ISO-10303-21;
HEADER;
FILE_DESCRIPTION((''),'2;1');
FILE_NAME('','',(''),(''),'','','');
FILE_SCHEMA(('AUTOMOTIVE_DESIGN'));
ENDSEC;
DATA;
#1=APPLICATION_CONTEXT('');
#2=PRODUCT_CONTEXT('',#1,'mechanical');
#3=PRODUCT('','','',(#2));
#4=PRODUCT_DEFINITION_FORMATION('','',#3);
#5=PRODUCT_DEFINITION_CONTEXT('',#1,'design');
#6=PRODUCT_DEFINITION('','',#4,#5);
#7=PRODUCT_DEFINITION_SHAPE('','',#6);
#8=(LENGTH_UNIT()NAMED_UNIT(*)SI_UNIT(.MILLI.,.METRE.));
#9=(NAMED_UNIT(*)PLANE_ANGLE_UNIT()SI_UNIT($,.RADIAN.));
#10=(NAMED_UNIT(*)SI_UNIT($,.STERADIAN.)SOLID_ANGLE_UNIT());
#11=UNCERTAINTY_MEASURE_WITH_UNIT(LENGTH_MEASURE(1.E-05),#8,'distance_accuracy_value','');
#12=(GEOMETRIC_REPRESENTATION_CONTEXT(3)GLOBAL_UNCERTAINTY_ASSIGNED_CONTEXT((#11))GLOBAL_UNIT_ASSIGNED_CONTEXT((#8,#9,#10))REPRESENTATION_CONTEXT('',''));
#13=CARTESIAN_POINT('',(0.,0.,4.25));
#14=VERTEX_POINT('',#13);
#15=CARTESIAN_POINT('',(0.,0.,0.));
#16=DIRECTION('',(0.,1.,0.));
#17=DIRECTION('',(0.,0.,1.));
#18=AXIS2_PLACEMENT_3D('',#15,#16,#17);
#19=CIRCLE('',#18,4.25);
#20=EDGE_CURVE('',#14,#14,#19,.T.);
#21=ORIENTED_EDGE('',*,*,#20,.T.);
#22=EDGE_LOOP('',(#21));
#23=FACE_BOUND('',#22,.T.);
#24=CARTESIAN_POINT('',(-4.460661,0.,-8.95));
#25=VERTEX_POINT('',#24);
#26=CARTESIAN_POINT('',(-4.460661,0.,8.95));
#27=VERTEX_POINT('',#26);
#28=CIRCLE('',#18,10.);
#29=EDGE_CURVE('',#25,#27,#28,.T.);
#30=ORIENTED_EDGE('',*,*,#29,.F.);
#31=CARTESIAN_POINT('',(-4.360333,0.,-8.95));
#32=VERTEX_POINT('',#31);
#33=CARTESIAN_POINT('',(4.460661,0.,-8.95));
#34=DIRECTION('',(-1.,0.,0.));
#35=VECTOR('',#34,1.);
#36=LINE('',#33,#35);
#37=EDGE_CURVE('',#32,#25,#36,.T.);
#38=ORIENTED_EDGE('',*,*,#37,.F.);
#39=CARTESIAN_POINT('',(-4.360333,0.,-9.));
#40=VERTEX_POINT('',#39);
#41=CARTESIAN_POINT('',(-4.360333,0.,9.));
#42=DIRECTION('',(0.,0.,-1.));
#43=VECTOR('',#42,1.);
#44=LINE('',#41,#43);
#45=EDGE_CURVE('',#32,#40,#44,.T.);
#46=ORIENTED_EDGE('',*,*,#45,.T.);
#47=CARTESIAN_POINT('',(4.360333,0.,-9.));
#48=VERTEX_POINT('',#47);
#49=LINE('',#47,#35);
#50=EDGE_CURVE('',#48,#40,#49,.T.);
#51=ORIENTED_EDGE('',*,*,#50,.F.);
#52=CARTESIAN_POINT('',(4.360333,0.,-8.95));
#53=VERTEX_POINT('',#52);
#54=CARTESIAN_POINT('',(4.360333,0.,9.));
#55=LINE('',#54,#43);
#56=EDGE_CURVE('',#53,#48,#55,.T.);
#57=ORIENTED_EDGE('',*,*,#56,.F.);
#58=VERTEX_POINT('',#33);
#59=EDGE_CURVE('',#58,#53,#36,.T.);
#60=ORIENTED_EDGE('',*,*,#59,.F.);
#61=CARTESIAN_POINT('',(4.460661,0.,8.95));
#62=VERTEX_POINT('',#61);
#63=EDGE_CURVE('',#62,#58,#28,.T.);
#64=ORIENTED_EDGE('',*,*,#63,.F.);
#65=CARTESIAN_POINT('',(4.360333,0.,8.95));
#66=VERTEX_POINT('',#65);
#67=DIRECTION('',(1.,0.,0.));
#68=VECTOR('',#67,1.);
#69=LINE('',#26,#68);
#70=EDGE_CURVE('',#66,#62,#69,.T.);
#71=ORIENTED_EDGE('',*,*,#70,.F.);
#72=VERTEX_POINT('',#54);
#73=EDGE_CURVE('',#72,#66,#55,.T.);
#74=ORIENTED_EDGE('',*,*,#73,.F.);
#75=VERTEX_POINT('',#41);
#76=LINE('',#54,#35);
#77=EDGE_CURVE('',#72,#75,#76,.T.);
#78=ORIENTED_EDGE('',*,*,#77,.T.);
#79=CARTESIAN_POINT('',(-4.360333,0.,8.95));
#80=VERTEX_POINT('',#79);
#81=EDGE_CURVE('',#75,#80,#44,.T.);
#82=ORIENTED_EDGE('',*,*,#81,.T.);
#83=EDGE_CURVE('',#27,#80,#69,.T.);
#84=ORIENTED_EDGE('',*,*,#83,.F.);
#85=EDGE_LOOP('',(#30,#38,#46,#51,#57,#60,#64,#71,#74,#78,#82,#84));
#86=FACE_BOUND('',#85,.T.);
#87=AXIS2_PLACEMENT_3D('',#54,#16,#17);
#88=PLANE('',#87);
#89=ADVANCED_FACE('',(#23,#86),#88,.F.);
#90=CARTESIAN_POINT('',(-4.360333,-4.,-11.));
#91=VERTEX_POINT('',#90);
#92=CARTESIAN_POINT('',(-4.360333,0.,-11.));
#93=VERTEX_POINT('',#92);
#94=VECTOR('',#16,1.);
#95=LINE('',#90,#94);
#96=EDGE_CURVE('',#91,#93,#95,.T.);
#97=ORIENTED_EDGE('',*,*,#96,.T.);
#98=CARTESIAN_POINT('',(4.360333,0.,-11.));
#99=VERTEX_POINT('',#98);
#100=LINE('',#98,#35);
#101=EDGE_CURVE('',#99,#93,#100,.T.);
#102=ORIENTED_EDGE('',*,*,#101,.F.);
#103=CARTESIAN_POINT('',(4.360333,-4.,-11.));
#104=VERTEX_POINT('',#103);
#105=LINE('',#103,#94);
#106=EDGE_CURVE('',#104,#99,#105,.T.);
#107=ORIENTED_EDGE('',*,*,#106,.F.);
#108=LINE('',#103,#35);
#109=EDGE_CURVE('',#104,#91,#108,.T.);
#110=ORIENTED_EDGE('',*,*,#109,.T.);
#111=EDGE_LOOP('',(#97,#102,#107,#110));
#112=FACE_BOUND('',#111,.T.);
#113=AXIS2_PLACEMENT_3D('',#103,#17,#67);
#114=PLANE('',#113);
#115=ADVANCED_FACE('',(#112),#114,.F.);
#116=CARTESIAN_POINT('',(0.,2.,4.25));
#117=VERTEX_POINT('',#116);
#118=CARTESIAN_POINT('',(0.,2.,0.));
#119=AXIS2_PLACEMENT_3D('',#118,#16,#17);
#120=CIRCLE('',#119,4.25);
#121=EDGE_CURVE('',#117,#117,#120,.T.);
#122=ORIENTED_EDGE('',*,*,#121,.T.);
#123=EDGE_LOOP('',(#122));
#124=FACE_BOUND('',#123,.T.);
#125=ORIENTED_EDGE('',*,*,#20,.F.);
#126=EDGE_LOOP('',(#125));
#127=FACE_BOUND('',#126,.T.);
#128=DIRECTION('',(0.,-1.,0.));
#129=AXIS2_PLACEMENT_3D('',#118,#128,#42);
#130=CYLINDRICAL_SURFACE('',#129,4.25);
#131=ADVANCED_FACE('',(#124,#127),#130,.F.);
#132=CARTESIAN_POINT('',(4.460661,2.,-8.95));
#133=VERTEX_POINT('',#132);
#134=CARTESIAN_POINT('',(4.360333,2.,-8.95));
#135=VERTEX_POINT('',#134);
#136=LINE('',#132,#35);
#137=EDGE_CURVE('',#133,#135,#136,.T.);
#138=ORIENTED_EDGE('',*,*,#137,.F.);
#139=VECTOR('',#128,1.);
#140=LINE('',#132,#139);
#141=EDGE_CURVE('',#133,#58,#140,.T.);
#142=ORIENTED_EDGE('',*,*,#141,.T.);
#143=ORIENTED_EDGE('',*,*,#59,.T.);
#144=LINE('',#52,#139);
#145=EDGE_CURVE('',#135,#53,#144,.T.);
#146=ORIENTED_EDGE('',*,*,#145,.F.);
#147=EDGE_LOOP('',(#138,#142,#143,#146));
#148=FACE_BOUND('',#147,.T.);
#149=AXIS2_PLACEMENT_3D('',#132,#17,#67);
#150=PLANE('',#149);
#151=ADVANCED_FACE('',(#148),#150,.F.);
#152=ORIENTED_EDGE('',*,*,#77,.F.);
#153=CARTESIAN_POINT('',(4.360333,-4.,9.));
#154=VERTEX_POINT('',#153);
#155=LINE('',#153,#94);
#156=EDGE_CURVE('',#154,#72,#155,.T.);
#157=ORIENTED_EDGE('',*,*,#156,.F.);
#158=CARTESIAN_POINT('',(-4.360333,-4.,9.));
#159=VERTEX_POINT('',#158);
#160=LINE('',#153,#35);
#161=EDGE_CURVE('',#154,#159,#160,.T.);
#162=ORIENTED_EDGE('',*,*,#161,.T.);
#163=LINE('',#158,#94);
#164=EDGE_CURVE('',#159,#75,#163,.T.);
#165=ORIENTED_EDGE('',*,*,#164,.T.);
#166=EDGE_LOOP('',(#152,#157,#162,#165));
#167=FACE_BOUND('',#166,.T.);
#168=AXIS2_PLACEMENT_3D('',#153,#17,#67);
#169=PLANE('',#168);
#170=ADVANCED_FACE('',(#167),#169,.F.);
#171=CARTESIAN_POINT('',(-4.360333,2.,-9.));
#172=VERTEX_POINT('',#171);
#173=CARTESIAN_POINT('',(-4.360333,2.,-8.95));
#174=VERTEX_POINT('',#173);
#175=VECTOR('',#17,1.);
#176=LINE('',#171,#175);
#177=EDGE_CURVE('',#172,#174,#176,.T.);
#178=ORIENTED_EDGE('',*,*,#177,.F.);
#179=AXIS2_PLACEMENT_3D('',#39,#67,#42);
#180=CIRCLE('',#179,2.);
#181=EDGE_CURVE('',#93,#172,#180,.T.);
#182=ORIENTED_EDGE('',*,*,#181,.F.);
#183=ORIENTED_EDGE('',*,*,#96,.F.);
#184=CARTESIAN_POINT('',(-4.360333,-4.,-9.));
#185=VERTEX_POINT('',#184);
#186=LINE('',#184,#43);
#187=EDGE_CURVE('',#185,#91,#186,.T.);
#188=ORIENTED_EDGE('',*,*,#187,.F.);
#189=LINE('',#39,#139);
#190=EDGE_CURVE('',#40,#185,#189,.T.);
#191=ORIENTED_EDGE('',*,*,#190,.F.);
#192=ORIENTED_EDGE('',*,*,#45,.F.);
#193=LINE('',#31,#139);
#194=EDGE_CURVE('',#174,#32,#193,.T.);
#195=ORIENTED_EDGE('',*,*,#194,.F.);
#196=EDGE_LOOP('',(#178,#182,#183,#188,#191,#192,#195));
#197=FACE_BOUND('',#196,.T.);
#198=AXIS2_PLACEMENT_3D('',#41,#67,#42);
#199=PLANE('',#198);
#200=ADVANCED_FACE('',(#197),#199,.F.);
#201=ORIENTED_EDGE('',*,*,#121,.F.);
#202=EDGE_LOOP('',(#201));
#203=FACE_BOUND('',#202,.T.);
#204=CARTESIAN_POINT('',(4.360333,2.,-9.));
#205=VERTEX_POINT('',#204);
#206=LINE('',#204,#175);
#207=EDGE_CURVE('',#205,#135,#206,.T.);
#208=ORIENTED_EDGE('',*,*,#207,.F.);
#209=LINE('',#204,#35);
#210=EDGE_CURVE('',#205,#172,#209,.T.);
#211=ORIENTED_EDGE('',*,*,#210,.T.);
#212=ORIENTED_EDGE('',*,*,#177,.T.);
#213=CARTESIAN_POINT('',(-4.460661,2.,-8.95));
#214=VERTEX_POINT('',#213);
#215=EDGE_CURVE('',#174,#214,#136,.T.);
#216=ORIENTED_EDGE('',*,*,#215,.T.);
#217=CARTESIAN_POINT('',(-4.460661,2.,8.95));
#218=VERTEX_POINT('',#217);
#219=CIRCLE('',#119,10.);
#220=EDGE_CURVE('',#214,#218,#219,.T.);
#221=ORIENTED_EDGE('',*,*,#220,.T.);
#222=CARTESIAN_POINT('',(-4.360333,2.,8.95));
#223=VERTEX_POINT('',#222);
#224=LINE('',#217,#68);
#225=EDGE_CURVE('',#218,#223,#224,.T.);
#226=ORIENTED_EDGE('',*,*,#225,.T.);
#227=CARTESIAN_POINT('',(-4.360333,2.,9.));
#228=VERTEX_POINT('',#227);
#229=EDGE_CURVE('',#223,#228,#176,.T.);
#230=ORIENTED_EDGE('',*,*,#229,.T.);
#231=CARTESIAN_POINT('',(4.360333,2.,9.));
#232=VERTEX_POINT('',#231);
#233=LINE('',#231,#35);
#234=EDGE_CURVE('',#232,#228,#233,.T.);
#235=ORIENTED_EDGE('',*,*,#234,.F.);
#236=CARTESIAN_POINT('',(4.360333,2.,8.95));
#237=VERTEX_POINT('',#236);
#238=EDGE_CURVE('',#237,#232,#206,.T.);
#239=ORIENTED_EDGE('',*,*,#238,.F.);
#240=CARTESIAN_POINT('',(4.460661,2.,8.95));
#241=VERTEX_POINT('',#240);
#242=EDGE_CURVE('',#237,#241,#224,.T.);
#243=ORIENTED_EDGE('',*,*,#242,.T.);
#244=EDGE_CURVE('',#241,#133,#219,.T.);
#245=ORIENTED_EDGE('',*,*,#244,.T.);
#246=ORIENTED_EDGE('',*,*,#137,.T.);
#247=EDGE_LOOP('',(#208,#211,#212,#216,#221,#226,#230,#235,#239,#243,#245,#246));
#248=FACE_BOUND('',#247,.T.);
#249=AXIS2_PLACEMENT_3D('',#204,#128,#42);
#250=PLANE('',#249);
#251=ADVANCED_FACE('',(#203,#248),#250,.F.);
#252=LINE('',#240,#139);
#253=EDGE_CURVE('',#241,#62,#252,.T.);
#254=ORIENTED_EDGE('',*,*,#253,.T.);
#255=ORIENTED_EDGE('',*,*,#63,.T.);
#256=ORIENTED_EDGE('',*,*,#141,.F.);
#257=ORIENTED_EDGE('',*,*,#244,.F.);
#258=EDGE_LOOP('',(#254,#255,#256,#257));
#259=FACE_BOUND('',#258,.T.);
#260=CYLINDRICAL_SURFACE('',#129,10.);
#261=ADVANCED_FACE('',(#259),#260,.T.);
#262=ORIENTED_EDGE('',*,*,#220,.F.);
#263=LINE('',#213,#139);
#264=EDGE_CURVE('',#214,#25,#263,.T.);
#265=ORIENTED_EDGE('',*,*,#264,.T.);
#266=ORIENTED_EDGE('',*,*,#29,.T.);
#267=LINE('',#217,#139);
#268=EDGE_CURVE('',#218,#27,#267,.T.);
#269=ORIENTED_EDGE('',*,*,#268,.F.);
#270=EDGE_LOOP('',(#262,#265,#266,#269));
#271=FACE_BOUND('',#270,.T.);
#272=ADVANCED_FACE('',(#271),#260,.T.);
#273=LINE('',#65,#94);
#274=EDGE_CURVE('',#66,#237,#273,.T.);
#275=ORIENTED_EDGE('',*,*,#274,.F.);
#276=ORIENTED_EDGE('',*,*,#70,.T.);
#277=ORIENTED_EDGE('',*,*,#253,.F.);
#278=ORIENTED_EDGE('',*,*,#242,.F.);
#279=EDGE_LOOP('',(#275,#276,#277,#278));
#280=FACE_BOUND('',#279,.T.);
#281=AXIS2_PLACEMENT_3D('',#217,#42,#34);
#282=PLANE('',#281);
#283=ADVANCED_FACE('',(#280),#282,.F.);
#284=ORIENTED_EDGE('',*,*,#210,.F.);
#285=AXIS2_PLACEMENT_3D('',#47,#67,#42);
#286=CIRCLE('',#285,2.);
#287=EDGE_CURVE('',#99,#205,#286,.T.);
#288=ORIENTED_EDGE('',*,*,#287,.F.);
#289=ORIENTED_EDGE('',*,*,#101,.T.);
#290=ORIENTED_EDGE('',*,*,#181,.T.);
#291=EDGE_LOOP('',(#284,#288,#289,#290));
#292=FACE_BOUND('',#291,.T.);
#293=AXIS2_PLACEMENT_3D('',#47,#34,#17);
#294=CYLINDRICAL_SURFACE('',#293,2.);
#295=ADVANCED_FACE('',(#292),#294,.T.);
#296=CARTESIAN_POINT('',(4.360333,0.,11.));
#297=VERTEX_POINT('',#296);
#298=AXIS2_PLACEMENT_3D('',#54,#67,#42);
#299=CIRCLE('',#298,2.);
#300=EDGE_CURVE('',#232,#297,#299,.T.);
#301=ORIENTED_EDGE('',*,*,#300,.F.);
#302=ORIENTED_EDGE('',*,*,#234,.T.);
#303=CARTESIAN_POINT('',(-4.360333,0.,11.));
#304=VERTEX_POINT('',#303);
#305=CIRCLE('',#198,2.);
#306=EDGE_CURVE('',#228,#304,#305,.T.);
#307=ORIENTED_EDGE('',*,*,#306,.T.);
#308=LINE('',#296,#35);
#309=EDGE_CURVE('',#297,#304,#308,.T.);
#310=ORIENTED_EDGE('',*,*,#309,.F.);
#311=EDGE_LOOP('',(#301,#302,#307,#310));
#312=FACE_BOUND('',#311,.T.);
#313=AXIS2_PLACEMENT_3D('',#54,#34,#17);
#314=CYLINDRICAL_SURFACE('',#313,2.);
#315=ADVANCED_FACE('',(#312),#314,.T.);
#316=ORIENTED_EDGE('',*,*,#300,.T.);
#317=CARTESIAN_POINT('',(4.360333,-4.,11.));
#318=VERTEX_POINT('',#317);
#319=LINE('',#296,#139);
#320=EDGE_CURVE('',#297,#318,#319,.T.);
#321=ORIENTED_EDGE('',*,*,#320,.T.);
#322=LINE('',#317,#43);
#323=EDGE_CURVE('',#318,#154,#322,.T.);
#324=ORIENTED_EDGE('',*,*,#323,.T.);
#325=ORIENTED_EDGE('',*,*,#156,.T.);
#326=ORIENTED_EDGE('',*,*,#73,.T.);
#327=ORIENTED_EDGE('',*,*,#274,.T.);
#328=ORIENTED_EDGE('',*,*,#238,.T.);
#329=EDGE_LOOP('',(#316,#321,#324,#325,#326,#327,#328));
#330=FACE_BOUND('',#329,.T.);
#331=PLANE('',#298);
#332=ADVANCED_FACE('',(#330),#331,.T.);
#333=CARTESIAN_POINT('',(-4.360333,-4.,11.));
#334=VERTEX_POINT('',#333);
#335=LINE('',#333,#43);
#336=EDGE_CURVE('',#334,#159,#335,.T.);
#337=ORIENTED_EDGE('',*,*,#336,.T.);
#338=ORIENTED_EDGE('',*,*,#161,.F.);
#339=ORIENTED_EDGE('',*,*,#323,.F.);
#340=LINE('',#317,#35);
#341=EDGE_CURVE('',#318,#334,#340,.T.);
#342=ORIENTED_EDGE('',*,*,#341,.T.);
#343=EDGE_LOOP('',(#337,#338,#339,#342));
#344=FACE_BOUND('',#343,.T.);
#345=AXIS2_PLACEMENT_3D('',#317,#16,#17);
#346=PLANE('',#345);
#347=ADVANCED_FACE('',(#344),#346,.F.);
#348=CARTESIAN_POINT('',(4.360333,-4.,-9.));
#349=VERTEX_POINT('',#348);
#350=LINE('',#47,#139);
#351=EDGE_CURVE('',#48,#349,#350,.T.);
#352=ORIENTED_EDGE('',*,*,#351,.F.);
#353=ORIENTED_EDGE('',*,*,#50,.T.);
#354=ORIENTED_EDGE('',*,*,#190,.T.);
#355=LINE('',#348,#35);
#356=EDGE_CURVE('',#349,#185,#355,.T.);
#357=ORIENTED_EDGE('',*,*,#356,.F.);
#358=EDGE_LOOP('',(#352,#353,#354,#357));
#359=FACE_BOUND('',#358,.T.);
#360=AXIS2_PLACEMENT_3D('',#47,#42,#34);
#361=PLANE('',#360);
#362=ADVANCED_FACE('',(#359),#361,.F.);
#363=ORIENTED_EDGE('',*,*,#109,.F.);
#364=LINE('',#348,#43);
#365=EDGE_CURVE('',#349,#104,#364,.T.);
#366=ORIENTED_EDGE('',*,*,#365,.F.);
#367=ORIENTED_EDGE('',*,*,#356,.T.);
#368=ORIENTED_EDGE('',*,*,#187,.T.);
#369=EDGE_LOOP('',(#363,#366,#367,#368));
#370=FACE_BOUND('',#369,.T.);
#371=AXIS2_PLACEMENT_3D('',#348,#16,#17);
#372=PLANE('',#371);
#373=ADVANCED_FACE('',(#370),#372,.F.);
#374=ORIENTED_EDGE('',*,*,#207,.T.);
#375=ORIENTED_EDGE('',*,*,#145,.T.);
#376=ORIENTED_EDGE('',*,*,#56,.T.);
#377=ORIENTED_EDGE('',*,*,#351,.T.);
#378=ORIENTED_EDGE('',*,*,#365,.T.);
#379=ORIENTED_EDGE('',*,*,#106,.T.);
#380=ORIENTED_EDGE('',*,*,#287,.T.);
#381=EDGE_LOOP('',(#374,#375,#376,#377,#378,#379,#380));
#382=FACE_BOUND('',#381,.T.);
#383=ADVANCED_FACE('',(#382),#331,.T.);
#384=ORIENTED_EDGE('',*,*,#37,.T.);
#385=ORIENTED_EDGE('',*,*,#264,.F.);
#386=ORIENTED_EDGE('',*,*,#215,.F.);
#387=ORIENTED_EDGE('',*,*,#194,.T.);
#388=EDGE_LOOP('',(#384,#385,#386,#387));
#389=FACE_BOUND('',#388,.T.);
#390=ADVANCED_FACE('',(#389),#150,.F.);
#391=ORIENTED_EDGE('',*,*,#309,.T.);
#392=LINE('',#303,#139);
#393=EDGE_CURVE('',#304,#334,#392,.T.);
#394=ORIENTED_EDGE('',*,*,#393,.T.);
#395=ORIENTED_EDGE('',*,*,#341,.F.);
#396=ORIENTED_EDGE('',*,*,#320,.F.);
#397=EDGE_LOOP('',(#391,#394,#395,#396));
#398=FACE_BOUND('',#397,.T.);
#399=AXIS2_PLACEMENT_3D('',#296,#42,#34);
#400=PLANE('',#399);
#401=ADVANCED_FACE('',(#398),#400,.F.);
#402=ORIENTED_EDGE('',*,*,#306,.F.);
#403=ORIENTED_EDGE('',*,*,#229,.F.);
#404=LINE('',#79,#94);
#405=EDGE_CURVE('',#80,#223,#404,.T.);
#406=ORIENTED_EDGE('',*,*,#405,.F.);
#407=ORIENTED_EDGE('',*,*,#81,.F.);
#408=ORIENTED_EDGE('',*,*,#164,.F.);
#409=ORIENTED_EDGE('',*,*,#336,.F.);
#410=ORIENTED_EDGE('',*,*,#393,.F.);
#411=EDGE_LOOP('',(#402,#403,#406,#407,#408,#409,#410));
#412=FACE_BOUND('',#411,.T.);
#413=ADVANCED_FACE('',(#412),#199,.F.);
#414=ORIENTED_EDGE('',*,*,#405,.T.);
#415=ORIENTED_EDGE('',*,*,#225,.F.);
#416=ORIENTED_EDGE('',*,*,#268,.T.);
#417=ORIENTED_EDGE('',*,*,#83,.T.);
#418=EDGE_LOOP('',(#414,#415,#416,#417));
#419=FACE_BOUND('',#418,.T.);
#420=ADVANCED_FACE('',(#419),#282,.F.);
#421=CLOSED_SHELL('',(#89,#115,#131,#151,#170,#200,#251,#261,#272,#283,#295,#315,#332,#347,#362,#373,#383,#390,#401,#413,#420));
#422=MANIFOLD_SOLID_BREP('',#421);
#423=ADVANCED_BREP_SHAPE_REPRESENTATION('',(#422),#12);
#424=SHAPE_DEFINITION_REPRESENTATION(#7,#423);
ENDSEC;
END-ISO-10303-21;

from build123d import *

# Parameters (mm, degrees)
EXTRUDE_1_DEPTH      = 4.360333
EXTRUDE_1_DEPTH_BACK = 4.360333
EXTRUDE_2_DEPTH      = 2
SKETCH_3_R           = 4.25
CUT_EXTRUDE_1_DEPTH  = 2


with BuildPart() as part:
    # 草图1 → 凸台-拉伸1 (new, two sides: drawn at the far end of the back side and taken through both)
    with BuildSketch(Plane(origin=(0, 0, 0), x_dir=(0, 0, -1), z_dir=(1, 0, 0)).offset(-EXTRUDE_1_DEPTH_BACK)):
        with BuildLine():
            Line((-11, 0), (-11, -4))
            Line((-11, -4), (-9, -4))
            Line((-9, -4), (-9, 0))
            Line((-9, 0), (9, 0))
            Line((9, 0), (9, -4))
            Line((9, -4), (11, -4))
            Line((11, -4), (11, 0))
            ThreePointArc((11, 0), (10.414213562, 1.414213562), (9, 2))
            Line((9, 2), (-9, 2))
            ThreePointArc((-9, 2), (-10.414213562, 1.414213562), (-11, 0))
        make_face()
    extrude(amount=EXTRUDE_1_DEPTH + EXTRUDE_1_DEPTH_BACK)

    # 草图2 → 凸台-拉伸2 (add)
    with BuildSketch(Plane(origin=(0, 0, 0), x_dir=(1, 0, 0), z_dir=(0, 1, 0))):
        with BuildLine():
            Line((-4.460661386, -8.95), (4.460661386, -8.95))
            ThreePointArc((4.460661386, -8.95), (10, 0), (4.460661386, 8.95))
            Line((4.460661386, 8.95), (-4.460661386, 8.95))
            ThreePointArc((-4.460661386, 8.95), (-10, 0), (-4.460661386, -8.95))
        make_face()
    extrude(amount=EXTRUDE_2_DEPTH)

    # 草图3 → 切除-拉伸1 (cut)
    with BuildSketch(Plane(origin=(0, 0, 0), x_dir=(1, 0, 0), z_dir=(0, 1, 0))):
        Circle(SKETCH_3_R)
    extrude(amount=CUT_EXTRUDE_1_DEPTH, mode=Mode.SUBTRACT)


solid = part.part
